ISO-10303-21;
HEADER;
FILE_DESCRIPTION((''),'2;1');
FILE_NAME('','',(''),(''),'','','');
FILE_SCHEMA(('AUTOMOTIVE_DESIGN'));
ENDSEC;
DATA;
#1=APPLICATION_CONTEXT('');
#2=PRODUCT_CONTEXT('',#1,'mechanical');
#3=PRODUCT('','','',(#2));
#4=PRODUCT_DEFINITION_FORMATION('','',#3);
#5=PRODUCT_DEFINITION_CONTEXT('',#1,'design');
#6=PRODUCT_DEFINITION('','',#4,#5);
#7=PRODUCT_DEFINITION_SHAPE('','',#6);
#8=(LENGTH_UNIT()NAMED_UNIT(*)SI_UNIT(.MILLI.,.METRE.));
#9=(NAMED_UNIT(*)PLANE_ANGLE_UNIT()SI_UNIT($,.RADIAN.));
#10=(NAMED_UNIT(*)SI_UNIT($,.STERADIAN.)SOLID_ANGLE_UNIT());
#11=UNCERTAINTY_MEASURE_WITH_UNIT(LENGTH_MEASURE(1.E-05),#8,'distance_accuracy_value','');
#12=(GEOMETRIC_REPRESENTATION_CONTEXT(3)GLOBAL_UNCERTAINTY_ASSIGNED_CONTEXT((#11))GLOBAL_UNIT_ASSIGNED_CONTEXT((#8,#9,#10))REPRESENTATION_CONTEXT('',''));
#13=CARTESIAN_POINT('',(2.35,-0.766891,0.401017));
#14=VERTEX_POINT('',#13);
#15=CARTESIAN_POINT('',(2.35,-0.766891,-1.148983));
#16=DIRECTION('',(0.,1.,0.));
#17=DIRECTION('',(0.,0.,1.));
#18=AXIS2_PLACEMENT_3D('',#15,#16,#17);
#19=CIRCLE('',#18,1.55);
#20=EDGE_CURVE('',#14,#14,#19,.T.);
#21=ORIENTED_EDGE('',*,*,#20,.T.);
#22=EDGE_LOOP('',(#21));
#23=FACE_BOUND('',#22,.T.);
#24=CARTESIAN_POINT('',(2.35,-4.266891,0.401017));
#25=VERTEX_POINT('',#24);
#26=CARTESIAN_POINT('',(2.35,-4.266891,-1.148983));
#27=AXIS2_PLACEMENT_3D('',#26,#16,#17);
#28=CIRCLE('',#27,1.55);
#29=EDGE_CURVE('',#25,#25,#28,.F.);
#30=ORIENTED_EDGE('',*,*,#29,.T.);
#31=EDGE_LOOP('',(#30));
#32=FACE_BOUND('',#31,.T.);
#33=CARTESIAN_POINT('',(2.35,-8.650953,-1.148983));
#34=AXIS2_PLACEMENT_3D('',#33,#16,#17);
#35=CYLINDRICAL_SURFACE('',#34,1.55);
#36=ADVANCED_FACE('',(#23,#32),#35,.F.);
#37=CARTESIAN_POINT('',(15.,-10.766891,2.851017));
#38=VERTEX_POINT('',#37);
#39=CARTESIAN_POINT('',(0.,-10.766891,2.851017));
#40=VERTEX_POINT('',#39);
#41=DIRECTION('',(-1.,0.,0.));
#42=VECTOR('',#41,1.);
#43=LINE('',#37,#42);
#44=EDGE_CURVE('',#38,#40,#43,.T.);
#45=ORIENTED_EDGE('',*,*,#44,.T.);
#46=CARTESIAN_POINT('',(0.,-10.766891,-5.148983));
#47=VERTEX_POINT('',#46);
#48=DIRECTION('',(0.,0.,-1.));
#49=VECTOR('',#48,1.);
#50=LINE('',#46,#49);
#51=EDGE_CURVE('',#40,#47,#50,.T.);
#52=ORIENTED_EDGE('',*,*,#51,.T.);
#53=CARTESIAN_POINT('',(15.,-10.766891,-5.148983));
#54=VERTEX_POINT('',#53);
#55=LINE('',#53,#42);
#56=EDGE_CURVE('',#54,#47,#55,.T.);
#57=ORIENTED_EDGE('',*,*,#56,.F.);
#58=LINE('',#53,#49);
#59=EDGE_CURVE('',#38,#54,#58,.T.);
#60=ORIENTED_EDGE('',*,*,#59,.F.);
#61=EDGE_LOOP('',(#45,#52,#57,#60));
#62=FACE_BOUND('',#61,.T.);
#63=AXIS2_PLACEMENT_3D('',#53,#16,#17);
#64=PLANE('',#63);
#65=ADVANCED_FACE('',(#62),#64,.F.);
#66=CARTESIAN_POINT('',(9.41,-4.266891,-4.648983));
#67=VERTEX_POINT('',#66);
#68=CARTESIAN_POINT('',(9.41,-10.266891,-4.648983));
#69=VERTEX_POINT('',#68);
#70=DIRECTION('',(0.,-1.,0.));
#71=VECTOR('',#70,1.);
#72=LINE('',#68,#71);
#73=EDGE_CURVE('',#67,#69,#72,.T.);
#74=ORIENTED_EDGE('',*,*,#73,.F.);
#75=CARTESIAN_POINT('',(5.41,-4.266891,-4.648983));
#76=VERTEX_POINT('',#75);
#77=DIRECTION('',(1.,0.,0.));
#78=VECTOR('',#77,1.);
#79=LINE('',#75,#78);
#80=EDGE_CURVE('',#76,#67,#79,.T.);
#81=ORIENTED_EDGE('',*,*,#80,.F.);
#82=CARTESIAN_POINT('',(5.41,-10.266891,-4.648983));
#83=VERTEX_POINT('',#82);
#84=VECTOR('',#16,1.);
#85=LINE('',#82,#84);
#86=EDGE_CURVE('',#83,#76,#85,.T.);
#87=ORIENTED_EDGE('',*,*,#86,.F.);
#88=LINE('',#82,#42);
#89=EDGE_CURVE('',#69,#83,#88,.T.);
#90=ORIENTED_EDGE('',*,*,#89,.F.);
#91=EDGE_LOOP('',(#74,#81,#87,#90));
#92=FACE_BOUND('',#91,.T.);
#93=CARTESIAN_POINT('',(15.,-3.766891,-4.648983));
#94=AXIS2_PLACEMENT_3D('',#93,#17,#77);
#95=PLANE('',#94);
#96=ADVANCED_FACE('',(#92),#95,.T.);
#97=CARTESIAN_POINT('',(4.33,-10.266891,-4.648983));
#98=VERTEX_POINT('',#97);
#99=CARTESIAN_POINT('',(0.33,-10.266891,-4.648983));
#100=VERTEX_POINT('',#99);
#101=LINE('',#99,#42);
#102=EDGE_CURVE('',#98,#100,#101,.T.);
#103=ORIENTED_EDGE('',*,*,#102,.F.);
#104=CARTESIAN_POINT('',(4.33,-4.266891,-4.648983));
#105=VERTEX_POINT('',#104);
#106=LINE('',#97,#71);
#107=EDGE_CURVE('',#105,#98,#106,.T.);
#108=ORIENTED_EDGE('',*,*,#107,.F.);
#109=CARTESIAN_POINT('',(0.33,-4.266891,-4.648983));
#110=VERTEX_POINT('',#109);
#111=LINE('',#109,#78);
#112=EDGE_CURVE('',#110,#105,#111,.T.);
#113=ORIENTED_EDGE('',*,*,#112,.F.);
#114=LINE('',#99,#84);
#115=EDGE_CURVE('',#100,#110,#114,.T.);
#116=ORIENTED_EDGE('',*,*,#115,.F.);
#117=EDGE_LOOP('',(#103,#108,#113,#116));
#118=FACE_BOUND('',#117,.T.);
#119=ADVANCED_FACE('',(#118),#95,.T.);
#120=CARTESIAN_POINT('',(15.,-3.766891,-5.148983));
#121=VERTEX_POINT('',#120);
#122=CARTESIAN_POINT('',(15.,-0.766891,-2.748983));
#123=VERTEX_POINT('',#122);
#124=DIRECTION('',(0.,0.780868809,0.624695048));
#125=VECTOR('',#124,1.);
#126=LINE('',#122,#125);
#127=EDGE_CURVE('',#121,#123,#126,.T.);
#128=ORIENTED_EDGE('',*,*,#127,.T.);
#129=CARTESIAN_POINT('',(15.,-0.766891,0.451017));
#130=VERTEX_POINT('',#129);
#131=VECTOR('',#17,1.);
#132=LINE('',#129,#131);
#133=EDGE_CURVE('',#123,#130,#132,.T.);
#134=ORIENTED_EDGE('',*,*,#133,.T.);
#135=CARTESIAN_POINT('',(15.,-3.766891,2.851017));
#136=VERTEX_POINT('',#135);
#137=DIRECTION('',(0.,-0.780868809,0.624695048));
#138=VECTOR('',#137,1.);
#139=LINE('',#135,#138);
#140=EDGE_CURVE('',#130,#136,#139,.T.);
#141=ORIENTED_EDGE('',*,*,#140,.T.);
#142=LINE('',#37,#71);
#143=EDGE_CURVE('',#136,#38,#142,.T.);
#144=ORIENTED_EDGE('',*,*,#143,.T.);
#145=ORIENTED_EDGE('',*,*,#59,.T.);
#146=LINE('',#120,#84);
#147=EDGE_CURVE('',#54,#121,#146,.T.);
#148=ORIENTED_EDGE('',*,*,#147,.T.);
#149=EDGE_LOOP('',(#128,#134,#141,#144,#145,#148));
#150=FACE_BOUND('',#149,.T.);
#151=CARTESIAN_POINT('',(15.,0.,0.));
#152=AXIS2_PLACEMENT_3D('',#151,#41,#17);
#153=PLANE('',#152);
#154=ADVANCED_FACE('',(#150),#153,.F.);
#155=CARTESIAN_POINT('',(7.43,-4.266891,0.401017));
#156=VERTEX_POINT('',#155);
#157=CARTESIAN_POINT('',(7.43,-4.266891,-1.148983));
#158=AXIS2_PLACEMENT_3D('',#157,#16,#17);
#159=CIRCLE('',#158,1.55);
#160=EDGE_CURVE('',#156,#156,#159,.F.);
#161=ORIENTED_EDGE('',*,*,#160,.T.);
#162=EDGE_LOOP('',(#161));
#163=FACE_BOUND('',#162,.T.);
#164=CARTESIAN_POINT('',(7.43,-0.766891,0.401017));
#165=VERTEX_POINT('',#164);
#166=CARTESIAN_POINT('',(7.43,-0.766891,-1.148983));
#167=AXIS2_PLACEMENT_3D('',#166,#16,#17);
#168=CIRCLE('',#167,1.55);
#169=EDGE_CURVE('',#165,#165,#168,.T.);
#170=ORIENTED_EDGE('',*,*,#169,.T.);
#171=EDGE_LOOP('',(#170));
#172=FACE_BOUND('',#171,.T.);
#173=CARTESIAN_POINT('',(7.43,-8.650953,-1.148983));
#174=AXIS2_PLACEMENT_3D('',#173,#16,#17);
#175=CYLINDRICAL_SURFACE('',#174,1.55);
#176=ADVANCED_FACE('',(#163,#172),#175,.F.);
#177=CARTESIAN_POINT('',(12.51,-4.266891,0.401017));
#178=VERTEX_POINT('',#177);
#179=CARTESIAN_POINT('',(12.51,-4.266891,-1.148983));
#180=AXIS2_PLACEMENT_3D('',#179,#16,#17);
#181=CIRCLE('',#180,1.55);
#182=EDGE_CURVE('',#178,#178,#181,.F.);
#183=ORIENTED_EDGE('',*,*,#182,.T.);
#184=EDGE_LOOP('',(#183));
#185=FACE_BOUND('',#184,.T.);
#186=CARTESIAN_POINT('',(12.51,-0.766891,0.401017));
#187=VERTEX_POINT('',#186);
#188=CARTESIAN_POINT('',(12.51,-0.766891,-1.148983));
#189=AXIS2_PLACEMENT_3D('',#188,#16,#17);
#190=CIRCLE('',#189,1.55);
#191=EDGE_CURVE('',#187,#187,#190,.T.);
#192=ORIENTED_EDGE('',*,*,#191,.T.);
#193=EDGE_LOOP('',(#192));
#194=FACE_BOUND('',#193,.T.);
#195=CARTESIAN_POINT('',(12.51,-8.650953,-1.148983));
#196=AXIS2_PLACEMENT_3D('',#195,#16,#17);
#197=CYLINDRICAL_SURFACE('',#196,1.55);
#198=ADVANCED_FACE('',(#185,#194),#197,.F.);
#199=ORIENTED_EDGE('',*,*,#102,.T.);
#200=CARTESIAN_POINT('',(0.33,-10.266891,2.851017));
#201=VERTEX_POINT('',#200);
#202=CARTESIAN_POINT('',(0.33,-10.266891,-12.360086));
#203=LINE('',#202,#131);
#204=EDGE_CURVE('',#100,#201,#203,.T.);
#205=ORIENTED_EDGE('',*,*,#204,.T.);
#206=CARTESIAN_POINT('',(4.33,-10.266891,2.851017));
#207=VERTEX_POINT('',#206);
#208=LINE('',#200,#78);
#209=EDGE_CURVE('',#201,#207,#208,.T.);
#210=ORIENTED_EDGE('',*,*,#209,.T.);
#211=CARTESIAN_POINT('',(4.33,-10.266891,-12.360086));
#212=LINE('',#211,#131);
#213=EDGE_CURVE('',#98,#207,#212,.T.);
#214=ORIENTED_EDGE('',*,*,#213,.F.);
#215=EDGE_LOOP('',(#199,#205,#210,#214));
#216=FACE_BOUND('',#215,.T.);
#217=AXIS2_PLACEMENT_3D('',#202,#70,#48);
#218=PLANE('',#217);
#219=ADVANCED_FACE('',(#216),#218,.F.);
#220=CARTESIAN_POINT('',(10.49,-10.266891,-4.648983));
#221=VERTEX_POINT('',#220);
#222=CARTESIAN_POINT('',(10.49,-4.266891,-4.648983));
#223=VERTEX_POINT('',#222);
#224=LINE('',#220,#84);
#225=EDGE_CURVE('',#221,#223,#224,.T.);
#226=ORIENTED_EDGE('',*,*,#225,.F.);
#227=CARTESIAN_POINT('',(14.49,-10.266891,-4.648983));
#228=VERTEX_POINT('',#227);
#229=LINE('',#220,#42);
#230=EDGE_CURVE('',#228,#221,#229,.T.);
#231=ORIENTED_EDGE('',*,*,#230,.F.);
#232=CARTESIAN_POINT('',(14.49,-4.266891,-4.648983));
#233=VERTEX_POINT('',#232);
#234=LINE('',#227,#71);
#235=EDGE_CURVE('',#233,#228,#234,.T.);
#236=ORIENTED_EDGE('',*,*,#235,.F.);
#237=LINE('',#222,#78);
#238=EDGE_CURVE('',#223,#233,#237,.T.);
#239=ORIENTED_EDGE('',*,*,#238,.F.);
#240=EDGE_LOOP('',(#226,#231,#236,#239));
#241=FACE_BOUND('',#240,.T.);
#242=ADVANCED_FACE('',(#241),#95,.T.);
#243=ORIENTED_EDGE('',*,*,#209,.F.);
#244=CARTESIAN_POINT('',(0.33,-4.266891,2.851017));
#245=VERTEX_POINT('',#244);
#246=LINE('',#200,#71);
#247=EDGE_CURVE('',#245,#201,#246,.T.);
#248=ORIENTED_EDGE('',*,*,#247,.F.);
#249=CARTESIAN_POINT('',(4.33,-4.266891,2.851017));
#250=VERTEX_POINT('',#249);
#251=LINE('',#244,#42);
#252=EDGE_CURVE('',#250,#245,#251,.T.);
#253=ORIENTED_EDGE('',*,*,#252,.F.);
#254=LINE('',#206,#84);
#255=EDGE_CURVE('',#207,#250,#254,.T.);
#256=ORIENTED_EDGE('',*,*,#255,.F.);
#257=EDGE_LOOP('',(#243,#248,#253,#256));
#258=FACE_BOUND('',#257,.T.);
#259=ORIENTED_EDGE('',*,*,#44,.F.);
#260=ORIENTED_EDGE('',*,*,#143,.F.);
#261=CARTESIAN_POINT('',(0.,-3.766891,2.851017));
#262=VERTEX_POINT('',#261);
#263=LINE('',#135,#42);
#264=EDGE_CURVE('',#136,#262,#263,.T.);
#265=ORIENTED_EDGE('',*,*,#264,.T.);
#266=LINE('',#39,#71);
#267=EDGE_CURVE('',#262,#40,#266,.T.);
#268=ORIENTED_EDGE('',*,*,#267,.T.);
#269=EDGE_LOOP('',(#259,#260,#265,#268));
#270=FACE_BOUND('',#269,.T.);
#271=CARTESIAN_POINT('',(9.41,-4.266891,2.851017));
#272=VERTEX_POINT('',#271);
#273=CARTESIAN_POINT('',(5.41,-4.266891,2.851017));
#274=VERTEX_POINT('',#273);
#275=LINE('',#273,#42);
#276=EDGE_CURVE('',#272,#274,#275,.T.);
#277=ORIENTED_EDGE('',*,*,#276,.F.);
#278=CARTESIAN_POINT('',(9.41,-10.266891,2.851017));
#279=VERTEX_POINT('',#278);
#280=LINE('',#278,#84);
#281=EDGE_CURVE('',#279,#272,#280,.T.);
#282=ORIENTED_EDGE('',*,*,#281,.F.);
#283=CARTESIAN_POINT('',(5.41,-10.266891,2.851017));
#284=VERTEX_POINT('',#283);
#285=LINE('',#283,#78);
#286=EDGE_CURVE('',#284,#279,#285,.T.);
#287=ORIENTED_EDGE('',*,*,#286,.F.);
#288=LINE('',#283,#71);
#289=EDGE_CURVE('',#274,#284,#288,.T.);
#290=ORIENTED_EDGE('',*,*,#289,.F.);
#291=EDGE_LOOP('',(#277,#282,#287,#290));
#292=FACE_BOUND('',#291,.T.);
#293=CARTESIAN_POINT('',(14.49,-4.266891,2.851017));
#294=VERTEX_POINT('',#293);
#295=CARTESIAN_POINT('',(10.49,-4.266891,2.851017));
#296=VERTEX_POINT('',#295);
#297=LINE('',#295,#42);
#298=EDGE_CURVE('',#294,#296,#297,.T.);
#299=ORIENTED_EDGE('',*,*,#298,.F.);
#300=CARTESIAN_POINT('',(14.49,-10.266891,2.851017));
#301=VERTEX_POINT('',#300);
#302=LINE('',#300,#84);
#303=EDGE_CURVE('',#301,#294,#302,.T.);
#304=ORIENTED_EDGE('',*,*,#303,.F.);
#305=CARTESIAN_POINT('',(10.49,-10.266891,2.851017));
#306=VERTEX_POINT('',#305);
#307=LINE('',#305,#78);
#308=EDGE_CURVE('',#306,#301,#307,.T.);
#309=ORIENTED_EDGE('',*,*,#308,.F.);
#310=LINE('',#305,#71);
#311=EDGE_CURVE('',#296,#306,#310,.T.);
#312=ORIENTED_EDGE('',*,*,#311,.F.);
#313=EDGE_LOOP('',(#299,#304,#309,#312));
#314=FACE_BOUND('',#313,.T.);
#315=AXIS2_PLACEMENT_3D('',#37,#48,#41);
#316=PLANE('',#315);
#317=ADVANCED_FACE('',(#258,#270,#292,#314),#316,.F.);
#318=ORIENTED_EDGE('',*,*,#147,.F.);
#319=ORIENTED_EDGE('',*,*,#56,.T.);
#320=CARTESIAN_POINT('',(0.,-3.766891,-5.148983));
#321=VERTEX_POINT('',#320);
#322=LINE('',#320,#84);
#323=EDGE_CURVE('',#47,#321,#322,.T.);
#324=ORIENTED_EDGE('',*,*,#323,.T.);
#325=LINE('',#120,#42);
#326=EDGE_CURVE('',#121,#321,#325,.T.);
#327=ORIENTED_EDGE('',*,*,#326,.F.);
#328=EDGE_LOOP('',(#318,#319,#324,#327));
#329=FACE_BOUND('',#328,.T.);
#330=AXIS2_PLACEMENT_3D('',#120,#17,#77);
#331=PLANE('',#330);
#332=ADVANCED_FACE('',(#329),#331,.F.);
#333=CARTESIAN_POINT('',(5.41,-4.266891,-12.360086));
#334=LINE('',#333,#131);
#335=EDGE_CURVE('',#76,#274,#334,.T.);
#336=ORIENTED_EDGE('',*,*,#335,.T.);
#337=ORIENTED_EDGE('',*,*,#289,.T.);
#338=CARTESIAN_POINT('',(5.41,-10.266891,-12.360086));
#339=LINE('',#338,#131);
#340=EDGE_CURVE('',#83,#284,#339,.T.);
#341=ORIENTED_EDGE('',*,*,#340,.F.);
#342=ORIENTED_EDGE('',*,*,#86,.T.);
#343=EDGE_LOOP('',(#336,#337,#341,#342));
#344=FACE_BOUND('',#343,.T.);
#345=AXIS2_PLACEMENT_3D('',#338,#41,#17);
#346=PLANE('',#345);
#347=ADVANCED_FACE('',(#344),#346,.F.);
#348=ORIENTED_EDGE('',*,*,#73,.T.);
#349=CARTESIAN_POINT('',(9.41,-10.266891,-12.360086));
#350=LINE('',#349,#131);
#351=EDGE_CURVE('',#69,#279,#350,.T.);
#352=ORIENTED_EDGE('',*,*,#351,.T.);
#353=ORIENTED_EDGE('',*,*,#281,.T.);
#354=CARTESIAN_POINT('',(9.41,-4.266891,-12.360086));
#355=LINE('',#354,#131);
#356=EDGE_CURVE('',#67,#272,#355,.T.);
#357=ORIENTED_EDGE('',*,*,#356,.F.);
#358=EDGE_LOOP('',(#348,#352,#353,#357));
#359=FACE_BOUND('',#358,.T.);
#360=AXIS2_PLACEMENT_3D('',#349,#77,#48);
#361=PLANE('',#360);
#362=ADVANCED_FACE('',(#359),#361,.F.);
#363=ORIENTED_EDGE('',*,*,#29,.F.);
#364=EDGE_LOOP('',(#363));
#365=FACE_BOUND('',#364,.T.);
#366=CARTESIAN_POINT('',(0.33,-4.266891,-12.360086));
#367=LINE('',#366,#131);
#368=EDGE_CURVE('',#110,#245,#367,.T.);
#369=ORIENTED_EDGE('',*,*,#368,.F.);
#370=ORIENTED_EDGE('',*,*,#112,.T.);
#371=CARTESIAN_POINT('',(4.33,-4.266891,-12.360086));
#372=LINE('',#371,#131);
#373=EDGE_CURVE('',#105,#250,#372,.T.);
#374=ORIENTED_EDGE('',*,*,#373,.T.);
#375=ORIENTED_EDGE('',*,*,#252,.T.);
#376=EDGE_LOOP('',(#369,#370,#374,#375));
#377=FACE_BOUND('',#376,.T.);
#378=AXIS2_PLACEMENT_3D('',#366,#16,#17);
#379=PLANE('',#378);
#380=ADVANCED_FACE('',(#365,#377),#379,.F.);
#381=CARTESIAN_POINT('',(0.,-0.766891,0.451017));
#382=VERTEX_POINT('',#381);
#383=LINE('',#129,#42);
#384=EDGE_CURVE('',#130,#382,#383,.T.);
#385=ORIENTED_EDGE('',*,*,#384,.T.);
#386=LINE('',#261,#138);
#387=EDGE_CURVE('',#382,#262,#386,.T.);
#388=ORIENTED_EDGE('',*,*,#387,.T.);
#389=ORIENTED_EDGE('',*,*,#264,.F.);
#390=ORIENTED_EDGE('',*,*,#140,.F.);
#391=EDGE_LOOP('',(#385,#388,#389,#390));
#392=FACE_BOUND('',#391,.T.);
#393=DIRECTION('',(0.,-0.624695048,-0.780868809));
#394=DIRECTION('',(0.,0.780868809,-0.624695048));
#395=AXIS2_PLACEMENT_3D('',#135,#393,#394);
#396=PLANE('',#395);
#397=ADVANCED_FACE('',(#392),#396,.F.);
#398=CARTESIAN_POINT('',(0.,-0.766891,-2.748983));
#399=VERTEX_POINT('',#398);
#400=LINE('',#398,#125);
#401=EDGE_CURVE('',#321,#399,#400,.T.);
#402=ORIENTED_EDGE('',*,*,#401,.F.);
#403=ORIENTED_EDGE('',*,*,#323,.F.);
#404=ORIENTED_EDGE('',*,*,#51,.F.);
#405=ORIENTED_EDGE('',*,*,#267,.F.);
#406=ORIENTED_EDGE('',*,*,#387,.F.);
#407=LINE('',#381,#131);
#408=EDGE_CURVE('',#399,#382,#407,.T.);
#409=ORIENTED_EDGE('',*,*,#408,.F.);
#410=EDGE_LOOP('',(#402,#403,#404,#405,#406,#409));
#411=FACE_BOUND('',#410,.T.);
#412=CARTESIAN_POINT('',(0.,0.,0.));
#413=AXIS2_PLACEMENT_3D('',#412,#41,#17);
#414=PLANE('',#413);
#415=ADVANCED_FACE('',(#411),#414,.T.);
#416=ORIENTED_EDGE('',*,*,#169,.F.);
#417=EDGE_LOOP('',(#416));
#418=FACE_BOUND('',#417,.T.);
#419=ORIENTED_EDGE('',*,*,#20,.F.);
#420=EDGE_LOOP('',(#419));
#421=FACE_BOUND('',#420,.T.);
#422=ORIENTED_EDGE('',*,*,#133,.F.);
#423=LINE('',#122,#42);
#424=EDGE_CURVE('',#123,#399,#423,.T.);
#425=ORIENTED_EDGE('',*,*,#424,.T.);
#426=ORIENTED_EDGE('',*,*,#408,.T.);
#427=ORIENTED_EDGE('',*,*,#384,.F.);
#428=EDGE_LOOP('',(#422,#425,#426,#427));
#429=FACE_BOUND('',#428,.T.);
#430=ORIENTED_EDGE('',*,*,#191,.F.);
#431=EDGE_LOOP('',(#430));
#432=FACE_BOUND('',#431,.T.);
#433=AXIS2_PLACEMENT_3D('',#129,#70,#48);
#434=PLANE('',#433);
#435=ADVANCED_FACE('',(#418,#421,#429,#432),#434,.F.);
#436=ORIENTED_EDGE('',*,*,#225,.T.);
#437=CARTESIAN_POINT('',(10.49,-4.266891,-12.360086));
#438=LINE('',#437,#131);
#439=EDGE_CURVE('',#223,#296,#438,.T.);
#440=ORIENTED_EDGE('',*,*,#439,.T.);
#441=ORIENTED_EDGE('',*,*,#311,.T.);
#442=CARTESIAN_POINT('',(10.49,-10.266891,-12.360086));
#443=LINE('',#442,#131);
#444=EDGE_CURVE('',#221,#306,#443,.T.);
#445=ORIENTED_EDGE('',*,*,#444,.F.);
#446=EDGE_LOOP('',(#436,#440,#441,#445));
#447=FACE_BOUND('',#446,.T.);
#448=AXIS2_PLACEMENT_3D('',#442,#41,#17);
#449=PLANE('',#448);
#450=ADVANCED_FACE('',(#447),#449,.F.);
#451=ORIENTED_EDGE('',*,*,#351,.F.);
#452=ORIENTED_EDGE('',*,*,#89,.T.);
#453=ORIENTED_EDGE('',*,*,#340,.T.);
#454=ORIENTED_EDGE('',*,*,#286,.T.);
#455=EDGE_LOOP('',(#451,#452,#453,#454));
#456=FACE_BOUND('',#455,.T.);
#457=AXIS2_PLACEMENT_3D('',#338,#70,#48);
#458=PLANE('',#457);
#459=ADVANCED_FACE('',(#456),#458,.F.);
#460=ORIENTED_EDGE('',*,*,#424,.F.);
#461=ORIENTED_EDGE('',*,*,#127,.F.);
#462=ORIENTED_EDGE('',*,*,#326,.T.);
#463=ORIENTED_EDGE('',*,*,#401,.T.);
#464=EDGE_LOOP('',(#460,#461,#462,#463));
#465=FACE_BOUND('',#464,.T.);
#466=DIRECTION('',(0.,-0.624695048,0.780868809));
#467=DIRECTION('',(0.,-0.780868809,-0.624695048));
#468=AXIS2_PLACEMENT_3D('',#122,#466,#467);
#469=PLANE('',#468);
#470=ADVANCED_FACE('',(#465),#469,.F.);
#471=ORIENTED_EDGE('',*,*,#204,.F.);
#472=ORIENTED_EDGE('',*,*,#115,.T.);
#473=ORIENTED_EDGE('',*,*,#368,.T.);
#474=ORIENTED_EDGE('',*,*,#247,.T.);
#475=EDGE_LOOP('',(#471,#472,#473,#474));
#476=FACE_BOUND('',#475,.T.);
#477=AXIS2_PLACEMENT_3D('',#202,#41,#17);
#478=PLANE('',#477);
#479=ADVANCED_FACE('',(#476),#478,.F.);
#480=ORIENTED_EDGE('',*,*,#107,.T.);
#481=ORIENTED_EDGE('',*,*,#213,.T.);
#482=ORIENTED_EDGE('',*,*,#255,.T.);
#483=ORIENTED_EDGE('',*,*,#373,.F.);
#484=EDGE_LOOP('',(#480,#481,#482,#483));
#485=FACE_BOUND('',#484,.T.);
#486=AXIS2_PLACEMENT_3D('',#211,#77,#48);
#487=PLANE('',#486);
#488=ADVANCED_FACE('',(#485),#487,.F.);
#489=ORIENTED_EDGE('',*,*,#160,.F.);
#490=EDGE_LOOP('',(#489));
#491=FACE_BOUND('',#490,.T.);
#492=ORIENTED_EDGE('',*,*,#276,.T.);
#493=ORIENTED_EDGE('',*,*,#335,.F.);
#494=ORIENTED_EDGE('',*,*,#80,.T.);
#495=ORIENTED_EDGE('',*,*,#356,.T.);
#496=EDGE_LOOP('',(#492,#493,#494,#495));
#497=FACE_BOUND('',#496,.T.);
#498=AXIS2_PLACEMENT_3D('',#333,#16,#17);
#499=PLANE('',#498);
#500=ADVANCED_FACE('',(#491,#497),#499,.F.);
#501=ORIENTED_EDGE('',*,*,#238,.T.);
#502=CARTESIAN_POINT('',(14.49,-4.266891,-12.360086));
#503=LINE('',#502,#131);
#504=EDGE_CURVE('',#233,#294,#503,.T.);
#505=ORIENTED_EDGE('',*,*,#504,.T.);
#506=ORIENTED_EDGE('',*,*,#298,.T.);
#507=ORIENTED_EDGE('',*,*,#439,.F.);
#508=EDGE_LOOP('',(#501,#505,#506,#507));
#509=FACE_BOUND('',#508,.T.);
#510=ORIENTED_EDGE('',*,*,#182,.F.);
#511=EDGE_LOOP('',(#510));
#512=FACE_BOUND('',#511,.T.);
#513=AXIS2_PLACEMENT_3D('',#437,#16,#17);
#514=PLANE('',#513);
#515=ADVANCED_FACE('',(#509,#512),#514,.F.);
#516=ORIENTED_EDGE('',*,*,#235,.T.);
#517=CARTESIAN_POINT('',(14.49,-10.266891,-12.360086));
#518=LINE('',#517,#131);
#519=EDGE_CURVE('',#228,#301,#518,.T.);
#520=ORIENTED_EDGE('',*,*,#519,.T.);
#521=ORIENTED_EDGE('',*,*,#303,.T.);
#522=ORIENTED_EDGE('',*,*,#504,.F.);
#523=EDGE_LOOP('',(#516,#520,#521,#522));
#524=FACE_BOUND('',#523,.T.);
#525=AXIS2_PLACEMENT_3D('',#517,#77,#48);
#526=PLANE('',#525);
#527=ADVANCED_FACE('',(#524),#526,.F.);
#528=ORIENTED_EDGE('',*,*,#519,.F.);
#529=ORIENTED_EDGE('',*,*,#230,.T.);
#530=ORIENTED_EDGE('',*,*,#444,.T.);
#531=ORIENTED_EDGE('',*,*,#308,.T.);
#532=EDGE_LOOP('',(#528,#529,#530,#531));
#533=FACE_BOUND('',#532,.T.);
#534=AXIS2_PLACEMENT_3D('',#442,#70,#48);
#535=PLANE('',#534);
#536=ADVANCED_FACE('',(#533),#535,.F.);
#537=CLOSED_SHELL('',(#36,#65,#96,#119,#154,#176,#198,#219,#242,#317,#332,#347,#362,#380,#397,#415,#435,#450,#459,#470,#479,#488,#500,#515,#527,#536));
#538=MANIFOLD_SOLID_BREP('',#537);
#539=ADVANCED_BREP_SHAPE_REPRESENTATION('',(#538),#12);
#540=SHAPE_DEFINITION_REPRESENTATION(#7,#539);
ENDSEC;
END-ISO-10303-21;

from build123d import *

# Parameters (mm, degrees)
BOSS_EXTRUDE1_DEPTH = 15
SKETCH2_W           = 4
SKETCH2_H           = 6
CUT_EXTRUDE1_DEPTH  = 7.5
SKETCH3_R           = 1.55
CUT_EXTRUDE2_DEPTH  = 3.5


with BuildPart() as part:
    # Sketch1 → Boss-Extrude1 (new body)
    with BuildSketch(Plane(origin=(0, 0, 0), x_dir=(0, 0, -1), z_dir=(1, 0, 0))):
        Polygon((-0.451016824, -0.766891322), (2.748983176, -0.766891322), (5.148983176, -3.766891322), (5.148983176, -10.766891322), (-2.851016824, -10.766891322), (-2.851016824, -3.766891322), align=None)
    extrude(amount=BOSS_EXTRUDE1_DEPTH)

    # Sketch2 → Cut-Extrude1 (cut)
    with BuildSketch(Plane.XY.offset(2.851016824)):
        with Locations((2.33, -7.266891322)):
            Rectangle(SKETCH2_W, SKETCH2_H)
        with Locations((7.41, -7.266891322)):
            Rectangle(SKETCH2_W, SKETCH2_H)
        with Locations((12.49, -7.266891322)):
            Rectangle(SKETCH2_W, SKETCH2_H)
    extrude(amount=-CUT_EXTRUDE1_DEPTH, mode=Mode.SUBTRACT)

    # Sketch3 → Cut-Extrude2 (cut)
    with BuildSketch(Plane(origin=(0, -0.766891322, 0), x_dir=(1, 0, 0), z_dir=(0, 1, 0))):
        with Locations(Location((2.35, 1.148983176, 0), (0, 0, 270))):  # turned: the seam where the file's is
            Circle(SKETCH3_R)
        with Locations(Location((7.43, 1.148983176, 0), (0, 0, 270))):  # turned: the seam where the file's is
            Circle(SKETCH3_R)
        with Locations(Location((12.51, 1.148983176, 0), (0, 0, 270))):  # turned: the seam where the file's is
            Circle(SKETCH3_R)
    extrude(amount=-CUT_EXTRUDE2_DEPTH, mode=Mode.SUBTRACT)


solid = part.part
